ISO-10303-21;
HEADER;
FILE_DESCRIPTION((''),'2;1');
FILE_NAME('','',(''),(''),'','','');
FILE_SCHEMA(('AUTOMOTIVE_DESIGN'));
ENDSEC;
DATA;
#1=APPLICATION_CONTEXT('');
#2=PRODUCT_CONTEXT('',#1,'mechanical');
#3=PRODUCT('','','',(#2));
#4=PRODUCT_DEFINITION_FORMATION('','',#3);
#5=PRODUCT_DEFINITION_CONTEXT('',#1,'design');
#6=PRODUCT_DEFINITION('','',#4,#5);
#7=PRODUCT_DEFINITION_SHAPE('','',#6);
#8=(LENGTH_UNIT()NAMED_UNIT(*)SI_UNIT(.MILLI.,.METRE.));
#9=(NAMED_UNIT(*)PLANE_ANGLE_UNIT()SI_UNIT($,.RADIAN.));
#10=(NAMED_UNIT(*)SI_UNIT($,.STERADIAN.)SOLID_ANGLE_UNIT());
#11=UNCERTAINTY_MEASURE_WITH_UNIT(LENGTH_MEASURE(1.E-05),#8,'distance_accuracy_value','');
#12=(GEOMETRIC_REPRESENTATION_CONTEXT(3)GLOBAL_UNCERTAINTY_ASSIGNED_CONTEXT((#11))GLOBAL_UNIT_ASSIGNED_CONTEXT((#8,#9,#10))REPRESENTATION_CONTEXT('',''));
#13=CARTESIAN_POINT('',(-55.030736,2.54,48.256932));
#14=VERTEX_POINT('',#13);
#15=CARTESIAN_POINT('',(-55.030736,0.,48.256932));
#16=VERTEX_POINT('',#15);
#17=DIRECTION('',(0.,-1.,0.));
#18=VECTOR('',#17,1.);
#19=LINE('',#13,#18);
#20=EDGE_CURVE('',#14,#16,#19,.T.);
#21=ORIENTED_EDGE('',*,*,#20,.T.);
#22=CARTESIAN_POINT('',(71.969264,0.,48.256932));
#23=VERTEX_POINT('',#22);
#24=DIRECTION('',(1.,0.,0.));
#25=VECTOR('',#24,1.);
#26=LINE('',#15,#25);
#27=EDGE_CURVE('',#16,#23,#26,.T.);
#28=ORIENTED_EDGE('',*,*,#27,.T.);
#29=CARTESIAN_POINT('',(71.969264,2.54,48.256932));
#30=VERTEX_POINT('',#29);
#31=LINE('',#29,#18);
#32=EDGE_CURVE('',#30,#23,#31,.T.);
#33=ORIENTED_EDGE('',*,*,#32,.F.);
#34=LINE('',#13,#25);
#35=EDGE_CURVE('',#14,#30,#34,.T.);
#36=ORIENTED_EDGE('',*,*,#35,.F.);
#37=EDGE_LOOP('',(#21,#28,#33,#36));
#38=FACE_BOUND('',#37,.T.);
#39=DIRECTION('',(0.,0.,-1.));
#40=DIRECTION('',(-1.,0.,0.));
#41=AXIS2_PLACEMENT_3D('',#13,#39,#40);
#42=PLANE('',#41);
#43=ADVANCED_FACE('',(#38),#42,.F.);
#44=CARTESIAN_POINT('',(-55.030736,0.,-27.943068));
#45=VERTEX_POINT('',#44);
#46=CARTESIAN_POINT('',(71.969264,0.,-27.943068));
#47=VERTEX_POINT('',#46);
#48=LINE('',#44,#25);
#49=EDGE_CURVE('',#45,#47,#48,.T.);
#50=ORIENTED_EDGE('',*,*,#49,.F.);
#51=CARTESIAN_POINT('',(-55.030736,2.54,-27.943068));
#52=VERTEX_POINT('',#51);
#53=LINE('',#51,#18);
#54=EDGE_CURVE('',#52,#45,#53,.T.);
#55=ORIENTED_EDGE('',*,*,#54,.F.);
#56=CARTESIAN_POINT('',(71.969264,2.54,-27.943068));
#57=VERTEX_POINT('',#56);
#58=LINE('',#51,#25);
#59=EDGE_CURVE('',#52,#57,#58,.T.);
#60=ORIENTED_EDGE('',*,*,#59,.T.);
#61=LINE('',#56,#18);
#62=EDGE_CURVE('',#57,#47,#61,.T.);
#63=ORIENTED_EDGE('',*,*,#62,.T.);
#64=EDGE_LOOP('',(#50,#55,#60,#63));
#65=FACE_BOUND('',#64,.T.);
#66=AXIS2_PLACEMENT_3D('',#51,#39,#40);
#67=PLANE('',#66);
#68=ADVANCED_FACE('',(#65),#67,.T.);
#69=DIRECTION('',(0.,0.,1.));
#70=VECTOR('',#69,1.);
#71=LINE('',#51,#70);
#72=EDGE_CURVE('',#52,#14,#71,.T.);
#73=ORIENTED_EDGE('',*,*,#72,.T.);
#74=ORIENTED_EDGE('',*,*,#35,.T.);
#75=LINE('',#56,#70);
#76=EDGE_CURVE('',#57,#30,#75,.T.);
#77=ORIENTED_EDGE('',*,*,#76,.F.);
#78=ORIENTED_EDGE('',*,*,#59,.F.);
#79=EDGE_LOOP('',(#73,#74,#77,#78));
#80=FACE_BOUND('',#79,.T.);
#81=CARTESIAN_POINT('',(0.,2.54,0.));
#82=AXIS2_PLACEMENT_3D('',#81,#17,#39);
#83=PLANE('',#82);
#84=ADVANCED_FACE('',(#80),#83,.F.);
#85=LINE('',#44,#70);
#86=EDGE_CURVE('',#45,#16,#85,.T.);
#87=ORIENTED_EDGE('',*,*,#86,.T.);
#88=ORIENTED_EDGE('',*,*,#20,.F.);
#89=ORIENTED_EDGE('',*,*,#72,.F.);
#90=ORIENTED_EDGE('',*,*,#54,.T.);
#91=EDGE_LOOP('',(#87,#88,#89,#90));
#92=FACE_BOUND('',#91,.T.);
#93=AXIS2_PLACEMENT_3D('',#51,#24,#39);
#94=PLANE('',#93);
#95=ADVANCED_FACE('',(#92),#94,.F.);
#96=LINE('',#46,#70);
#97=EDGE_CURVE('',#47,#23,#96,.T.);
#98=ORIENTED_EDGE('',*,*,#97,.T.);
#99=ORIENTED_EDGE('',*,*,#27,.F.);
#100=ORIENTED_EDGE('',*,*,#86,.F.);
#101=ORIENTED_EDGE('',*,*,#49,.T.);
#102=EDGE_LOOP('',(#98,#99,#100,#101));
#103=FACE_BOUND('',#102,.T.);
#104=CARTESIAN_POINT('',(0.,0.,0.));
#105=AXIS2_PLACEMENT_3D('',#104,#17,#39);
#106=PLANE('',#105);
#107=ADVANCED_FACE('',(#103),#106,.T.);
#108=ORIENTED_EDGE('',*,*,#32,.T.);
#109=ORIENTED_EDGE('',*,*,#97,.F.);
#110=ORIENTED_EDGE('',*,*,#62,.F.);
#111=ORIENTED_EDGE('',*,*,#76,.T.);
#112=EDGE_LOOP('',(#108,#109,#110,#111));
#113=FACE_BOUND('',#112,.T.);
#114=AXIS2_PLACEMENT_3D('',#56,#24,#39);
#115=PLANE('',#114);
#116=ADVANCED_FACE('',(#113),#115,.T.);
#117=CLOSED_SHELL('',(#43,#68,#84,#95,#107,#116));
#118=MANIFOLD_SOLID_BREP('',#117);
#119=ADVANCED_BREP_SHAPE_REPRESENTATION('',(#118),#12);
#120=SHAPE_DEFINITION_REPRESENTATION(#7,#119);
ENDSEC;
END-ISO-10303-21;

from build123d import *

# Parameters (mm, degrees)
SKETCH1_W           = 127
SKETCH1_H           = 76.2
BOSS_EXTRUDE1_DEPTH = 2.54


with BuildPart() as part:
    # Sketch1 → Boss-Extrude1 (new body)
    with BuildSketch(Plane(origin=(0, 0, 0), x_dir=(1, 0, 0), z_dir=(0, 1, 0))):
        with Locations((8.469264082, -10.156932021)):
            Rectangle(SKETCH1_W, SKETCH1_H)
    extrude(amount=BOSS_EXTRUDE1_DEPTH)


solid = part.part
